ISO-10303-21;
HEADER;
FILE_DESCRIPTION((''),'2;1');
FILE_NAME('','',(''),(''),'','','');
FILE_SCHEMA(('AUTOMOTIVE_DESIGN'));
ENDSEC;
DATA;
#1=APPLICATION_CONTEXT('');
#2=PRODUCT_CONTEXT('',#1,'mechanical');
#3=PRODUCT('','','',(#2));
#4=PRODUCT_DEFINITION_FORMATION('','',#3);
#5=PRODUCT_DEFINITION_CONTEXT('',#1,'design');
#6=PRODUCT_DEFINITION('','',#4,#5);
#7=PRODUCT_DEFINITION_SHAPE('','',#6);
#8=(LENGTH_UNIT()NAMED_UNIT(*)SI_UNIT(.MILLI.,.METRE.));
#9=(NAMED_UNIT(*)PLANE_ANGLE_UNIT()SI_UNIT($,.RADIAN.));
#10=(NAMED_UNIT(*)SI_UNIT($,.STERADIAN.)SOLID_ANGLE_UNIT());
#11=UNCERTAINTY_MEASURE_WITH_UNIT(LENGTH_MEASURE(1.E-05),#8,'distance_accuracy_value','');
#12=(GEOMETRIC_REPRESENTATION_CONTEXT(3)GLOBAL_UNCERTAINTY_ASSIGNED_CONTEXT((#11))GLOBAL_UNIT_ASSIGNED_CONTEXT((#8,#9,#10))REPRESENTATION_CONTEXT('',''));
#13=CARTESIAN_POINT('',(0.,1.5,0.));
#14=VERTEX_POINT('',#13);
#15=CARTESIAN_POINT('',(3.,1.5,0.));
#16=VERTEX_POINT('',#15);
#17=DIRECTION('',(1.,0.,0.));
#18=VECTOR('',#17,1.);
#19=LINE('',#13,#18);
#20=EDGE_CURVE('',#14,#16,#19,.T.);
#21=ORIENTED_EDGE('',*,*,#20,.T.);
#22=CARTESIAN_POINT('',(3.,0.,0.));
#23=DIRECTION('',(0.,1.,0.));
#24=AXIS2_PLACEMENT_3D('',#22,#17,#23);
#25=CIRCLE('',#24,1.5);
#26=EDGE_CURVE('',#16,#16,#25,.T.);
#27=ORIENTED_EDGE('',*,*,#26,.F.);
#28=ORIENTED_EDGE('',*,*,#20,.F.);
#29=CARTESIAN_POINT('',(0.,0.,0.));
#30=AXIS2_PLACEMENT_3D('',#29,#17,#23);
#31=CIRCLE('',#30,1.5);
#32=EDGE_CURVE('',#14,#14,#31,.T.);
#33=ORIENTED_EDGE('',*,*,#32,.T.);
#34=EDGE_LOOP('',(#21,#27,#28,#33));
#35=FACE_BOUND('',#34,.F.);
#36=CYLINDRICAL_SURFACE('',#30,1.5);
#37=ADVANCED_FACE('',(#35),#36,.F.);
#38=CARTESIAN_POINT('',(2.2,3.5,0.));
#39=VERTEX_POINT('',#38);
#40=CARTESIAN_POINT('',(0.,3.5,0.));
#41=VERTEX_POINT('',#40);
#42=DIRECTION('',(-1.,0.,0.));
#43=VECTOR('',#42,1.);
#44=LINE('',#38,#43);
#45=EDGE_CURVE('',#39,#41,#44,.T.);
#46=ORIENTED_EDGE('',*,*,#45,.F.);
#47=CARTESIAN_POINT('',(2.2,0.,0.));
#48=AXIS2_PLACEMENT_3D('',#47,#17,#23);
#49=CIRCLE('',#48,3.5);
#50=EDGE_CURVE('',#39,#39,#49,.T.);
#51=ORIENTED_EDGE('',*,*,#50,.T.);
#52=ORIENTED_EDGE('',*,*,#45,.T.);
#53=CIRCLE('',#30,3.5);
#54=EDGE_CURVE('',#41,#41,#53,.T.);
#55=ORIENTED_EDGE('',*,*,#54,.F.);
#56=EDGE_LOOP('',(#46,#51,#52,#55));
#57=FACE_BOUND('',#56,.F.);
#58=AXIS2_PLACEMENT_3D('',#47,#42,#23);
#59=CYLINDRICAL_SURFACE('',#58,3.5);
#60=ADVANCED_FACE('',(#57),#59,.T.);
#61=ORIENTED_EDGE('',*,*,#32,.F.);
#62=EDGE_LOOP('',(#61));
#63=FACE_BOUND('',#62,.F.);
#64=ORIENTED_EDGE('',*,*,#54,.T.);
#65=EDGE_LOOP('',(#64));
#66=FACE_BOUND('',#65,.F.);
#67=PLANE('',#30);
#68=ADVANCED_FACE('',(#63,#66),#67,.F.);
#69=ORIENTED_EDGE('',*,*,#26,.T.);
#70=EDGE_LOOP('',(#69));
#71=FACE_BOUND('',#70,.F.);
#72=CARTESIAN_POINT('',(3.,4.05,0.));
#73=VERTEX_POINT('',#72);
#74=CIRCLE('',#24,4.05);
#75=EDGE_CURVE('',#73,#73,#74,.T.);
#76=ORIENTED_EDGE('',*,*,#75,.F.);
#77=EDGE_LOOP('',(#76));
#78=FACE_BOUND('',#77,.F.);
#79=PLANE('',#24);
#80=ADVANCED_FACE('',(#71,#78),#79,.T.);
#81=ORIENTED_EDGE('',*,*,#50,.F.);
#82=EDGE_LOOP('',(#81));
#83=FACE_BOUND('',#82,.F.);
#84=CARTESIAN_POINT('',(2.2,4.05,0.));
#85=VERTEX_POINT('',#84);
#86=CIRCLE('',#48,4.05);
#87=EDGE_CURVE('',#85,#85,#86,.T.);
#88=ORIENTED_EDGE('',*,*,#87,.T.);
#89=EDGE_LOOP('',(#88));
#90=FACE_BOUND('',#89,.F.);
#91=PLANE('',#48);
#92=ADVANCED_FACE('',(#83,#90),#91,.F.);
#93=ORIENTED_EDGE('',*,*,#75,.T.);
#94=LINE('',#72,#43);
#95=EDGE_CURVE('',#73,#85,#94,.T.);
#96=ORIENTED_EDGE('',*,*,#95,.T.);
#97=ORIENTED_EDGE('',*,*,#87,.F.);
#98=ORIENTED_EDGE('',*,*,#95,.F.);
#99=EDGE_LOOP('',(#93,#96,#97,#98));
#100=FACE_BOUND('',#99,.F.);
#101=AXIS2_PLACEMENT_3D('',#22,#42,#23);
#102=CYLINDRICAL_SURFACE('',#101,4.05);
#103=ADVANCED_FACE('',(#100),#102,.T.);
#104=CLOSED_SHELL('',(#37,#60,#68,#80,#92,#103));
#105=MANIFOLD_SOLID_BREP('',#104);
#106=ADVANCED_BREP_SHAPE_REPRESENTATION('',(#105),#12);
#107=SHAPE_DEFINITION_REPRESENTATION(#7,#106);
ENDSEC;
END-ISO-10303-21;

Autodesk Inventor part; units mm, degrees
ref_plane "YZ Plane" through (0, 0, 0) normal (1, 0, 0) x (0, 1, 0)
ref_plane "XZ Plane" through (0, 0, 0) normal (0, 1, 0) x (-1, 0, 0)
ref_plane "XY Plane" through (0, 0, 0) normal (0, 0, 1) x (1, 0, 0)
sketch "スケッチ1" plane through (0, 0, 0) normal (0, 0, 1) x (1, 0, 0)
  line L0 (0, 1.5) -> (3, 1.5)
  line L1 (3, 1.5) -> (3, 4.05)
  line L2 (3, 4.05) -> (2.2, 4.05)
  line L3 (2.2, 4.05) -> (2.2, 3.5)
  line L4 (2.2, 3.5) -> (0, 3.5)
  line L5 (0, 3.5) -> (0, 1.5)
  line L6 (0, 0) -> (3, 0) construction
  dimension "d0" = 1.5
  dimension "d1" = 3.5
  dimension "d2" = 0.8
  dimension "d3" = 3
  dimension "d4" = 4.05
revolve "回転1" add sketch "スケッチ1" angle 360 about axis through (0, 0, 0) along (1, 0, 0)
properties part number "bearing_683"
